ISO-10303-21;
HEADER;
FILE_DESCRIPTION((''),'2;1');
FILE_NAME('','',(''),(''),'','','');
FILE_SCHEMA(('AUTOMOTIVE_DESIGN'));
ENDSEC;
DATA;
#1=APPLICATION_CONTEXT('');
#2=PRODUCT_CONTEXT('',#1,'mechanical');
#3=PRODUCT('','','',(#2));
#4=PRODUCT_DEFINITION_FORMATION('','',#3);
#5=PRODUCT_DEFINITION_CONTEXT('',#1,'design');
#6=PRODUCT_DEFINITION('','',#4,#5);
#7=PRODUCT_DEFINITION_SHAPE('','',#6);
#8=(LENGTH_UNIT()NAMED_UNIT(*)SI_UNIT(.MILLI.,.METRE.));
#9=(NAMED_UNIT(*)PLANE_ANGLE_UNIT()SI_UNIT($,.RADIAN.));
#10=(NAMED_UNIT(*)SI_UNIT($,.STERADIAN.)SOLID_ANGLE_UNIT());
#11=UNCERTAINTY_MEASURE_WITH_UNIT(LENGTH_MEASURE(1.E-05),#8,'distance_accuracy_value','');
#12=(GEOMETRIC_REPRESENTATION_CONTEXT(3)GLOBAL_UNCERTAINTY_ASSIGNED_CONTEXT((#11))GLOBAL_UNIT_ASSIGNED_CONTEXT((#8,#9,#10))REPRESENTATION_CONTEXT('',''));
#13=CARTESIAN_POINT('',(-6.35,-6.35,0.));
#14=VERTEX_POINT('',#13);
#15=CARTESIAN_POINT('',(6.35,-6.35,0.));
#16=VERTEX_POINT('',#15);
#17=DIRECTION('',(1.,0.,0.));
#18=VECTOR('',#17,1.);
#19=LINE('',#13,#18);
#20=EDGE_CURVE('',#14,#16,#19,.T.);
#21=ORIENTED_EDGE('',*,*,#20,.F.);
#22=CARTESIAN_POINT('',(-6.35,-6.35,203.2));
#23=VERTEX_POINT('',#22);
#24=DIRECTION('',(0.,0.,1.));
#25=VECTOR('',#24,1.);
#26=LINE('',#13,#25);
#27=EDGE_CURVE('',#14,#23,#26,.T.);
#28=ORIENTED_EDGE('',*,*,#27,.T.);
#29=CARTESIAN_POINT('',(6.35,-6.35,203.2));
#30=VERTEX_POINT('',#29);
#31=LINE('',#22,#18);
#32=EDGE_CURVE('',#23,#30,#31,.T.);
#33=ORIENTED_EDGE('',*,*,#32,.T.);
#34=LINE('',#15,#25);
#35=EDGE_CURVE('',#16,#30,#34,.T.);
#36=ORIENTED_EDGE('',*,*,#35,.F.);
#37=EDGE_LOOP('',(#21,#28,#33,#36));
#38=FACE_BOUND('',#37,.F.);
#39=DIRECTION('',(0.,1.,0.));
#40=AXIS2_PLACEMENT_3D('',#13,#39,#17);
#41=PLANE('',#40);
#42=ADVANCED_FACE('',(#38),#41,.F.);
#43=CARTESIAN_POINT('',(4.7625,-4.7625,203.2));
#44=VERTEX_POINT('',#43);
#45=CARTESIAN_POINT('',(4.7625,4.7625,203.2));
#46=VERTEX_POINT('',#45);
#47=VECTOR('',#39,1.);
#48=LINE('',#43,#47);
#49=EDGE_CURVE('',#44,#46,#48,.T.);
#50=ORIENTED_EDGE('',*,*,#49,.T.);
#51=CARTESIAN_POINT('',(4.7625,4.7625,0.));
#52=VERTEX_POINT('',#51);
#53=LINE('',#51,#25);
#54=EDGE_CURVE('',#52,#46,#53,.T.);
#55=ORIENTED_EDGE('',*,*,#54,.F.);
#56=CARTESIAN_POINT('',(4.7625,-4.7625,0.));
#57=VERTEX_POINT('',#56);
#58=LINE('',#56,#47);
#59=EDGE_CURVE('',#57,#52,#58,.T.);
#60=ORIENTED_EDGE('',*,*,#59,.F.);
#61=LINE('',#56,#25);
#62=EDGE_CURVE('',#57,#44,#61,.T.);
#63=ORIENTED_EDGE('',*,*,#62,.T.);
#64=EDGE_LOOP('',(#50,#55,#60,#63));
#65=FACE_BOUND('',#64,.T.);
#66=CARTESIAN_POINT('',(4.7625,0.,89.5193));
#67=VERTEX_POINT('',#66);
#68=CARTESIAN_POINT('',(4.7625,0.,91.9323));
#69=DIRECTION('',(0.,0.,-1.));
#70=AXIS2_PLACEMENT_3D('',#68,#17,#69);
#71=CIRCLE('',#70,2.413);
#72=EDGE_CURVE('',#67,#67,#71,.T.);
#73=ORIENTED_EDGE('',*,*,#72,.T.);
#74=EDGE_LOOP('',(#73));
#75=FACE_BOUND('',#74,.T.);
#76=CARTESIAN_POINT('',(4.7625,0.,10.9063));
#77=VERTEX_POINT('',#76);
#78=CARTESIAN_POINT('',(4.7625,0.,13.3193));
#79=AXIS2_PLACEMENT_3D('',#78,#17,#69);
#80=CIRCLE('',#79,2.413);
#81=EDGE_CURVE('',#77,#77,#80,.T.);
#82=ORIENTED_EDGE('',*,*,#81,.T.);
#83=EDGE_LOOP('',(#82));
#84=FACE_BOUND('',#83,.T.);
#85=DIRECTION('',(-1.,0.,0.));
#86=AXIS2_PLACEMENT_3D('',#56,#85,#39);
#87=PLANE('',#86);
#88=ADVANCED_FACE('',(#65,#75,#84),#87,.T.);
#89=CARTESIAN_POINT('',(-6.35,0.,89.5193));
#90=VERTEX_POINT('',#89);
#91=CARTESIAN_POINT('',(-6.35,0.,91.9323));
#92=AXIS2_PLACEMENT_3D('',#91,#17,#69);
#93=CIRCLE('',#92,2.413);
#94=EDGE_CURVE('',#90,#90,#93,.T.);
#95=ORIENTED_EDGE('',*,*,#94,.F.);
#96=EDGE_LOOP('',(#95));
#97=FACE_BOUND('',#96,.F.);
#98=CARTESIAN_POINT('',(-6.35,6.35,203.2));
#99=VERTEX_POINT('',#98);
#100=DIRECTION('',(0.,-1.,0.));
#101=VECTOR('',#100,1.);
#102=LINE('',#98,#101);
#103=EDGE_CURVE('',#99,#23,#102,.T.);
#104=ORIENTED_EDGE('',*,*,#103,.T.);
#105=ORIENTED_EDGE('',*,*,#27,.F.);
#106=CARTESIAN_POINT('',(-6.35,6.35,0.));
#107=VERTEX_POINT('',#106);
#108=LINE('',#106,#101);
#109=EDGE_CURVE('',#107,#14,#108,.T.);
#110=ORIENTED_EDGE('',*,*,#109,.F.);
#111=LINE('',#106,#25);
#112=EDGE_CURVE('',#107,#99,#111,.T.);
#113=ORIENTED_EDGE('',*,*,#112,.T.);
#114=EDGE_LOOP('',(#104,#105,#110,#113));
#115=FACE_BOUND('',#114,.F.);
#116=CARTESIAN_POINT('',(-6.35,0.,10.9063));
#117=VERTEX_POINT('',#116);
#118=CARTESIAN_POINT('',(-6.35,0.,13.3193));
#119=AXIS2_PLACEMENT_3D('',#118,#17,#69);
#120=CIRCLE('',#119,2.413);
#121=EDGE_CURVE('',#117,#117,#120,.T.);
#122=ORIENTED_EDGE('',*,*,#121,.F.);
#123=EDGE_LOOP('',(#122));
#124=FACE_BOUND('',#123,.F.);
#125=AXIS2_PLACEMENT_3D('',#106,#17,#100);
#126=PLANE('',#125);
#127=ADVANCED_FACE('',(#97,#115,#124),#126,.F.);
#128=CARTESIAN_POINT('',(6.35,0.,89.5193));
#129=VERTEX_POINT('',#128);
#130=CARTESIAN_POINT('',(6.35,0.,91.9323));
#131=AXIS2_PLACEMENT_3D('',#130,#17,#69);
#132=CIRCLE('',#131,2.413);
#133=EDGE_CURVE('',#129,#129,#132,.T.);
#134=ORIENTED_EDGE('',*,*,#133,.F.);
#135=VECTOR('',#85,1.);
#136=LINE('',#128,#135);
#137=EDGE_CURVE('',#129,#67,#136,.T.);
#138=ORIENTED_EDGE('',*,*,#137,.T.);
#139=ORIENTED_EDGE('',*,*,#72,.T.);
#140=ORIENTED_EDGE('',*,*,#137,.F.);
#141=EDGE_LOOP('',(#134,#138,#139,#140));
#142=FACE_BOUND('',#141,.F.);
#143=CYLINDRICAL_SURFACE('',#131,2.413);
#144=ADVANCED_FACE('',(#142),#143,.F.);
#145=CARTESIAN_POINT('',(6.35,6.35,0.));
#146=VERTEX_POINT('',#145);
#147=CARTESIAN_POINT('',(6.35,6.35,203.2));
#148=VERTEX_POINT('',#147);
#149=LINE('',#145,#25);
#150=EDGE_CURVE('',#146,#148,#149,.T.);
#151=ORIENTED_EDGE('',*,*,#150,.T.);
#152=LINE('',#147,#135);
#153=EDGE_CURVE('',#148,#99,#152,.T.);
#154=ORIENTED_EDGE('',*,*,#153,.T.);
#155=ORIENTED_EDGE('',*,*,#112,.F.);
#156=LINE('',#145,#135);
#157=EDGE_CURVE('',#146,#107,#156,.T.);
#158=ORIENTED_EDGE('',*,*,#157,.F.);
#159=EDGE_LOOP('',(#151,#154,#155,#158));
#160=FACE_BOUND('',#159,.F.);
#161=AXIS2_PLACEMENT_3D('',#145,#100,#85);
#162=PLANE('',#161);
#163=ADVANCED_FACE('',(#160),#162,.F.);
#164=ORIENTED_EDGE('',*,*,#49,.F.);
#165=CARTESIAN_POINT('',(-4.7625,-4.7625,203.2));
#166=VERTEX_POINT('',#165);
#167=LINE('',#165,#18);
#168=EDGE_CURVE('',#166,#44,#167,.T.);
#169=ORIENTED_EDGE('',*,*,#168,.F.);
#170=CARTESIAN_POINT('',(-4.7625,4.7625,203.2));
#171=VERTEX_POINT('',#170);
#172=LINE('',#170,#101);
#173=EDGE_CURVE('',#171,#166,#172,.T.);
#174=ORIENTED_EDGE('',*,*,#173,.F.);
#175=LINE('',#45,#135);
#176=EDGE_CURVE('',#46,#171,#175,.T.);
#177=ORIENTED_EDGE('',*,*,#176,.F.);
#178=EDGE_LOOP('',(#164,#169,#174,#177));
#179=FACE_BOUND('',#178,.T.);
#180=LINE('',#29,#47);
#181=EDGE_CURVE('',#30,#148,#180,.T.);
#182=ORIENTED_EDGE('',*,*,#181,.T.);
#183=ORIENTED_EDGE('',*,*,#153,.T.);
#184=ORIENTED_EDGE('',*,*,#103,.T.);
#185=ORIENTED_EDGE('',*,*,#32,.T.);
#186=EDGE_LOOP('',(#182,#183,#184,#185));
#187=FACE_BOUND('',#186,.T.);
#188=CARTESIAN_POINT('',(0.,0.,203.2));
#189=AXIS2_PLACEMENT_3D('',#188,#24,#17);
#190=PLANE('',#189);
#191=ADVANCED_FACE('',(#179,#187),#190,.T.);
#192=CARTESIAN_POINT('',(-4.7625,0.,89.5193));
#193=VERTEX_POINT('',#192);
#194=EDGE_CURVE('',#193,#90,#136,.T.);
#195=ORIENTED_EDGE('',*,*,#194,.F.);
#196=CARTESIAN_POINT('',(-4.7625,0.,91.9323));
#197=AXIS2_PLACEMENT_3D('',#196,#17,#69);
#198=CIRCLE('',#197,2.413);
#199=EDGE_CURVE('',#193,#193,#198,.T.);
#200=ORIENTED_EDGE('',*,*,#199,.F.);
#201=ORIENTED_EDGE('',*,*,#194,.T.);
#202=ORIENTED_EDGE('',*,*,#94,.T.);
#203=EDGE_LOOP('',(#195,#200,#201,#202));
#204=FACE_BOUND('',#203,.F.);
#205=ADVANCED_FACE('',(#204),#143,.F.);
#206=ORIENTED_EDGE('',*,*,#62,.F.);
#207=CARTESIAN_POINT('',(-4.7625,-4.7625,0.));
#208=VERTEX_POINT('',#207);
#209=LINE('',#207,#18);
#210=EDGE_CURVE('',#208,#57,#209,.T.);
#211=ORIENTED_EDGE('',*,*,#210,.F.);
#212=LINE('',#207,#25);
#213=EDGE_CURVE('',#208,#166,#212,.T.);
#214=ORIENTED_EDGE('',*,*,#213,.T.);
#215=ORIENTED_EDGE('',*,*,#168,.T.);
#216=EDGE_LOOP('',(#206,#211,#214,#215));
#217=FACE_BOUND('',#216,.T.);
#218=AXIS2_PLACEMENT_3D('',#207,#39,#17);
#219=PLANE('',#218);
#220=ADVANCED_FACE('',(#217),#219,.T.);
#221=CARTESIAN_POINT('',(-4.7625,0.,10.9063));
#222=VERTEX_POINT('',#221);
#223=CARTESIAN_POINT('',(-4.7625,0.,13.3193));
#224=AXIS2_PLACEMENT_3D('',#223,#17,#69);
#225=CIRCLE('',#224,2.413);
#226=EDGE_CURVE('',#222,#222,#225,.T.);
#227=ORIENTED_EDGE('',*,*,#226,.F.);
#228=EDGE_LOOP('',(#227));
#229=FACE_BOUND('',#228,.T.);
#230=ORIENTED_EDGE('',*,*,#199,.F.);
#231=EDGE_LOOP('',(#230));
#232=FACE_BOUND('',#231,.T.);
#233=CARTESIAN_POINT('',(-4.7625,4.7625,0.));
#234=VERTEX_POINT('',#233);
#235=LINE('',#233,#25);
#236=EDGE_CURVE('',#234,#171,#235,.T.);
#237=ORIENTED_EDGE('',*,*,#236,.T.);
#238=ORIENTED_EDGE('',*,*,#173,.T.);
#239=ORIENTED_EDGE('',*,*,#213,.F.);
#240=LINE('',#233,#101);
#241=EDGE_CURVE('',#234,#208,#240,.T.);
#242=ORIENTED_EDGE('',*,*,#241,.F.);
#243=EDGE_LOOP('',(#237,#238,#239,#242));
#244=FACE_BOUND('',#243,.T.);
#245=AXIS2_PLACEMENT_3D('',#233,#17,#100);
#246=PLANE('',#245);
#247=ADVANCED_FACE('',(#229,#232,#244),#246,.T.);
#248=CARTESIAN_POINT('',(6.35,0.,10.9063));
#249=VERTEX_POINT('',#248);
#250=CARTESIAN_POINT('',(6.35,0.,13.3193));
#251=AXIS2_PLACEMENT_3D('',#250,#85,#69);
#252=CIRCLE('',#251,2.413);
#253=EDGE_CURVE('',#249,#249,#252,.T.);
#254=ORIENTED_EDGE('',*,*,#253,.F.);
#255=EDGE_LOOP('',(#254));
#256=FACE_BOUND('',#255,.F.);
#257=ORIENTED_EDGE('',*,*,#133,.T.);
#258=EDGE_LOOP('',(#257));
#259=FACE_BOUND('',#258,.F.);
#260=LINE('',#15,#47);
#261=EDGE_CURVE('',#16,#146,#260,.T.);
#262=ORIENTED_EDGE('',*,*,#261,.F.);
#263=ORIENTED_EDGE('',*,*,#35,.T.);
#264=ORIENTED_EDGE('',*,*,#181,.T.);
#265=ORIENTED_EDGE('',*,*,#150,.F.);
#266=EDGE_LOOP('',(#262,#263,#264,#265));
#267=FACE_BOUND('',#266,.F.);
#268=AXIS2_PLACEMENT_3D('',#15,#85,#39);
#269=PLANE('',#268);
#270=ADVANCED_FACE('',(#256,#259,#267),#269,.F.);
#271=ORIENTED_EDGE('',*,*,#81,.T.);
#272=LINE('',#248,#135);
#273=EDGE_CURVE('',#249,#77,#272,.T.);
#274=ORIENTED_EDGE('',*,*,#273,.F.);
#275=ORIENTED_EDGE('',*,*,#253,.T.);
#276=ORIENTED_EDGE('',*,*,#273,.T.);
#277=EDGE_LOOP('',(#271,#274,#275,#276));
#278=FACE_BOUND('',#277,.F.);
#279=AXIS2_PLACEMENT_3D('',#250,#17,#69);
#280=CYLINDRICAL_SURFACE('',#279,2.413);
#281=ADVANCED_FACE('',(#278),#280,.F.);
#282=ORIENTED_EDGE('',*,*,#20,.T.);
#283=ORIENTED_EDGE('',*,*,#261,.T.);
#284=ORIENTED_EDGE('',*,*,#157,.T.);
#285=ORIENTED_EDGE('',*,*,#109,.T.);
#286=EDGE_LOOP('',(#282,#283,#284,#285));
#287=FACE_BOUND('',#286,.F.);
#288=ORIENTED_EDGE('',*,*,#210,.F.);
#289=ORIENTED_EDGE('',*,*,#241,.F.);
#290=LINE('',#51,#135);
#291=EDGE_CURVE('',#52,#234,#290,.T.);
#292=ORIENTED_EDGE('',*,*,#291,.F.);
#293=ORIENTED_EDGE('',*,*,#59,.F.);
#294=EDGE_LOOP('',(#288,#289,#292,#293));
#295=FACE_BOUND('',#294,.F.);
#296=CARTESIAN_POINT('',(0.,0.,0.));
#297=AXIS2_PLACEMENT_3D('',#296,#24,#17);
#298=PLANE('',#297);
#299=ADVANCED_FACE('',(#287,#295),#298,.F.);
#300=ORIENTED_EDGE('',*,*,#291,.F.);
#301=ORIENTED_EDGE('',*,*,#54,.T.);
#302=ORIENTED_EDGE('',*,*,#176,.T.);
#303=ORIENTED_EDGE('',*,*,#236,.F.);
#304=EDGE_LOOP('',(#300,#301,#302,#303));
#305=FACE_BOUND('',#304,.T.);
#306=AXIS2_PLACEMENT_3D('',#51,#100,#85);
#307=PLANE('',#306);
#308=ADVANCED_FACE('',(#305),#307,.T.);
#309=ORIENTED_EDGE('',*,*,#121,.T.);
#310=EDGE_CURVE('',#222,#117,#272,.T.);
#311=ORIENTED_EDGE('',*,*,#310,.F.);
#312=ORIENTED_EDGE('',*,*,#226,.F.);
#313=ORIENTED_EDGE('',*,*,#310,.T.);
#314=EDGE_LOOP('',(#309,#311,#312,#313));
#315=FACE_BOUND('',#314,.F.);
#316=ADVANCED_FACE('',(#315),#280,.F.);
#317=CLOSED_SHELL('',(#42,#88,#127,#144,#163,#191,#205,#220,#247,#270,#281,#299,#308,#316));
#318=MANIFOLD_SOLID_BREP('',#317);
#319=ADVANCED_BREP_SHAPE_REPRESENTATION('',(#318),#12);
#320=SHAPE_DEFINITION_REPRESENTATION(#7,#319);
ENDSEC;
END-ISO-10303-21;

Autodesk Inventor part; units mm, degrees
ref_plane "YZ Plane" through (0, 0, 0) normal (1, 0, 0) x (0, 1, 0)
ref_plane "XZ Plane" through (0, 0, 0) normal (0, 1, 0) x (-1, 0, 0)
ref_plane "XY Plane" through (0, 0, 0) normal (0, 0, 1) x (1, 0, 0)
sketch "Sketch1" plane through (0, 0, 0) normal (0, 0, 1) x (1, 0, 0)
  line L0 (-6.35, -6.35) -> (6.35, -6.35)
  line L1 (6.35, -6.35) -> (6.35, 6.35)
  line L2 (6.35, 6.35) -> (-6.35, 6.35)
  line L3 (-6.35, 6.35) -> (-6.35, -6.35)
  line L4 (-6.35, -6.35) -> (6.35, 6.35) construction
  line L5 (6.35, -6.35) -> (-6.35, 6.35) construction
  line L6 (-4.7625, -4.7625) -> (4.7625, -4.7625)
  line L7 (4.7625, -4.7625) -> (4.7625, 4.7625)
  line L8 (4.7625, 4.7625) -> (-4.7625, 4.7625)
  line L9 (-4.7625, 4.7625) -> (-4.7625, -4.7625)
  line L10 (-4.7625, -4.7625) -> (4.7625, 4.7625) construction
  line L11 (4.7625, -4.7625) -> (-4.7625, 4.7625) construction
  point P0 (0, 0)
  point P1 (0, 0)
  dimension "d0" = 12.7
  dimension "d1" = 12.7
  dimension "d2" = 9.525
  dimension "d3" = 9.525
extrude "Extrusion1" add sketch "Sketch1" along normal blind 203.2
sketch "Sketch2" plane through (6.35, -6.35, 0) normal (1, 0, 0) x (0, 0, -1)
  line L0 (0, 0) -> (-203.2, 0) projected
  circle A0 centre (-13.3193, 6.35) radius 2.413
  circle A1 centre (-91.9323, 6.35) radius 2.413
  line L1 (-89.5193, 6.35) -> (-13.3193, 6.35)
  point P0 (0, 6.35)
  dimension "d7" = 4.826
  dimension "d6" = 4.826
  dimension "d8" = 76.2
extrude "Extrusion2" cut sketch "Sketch2" against normal blind 203.2
properties part number "custom box alluminum 8in"
